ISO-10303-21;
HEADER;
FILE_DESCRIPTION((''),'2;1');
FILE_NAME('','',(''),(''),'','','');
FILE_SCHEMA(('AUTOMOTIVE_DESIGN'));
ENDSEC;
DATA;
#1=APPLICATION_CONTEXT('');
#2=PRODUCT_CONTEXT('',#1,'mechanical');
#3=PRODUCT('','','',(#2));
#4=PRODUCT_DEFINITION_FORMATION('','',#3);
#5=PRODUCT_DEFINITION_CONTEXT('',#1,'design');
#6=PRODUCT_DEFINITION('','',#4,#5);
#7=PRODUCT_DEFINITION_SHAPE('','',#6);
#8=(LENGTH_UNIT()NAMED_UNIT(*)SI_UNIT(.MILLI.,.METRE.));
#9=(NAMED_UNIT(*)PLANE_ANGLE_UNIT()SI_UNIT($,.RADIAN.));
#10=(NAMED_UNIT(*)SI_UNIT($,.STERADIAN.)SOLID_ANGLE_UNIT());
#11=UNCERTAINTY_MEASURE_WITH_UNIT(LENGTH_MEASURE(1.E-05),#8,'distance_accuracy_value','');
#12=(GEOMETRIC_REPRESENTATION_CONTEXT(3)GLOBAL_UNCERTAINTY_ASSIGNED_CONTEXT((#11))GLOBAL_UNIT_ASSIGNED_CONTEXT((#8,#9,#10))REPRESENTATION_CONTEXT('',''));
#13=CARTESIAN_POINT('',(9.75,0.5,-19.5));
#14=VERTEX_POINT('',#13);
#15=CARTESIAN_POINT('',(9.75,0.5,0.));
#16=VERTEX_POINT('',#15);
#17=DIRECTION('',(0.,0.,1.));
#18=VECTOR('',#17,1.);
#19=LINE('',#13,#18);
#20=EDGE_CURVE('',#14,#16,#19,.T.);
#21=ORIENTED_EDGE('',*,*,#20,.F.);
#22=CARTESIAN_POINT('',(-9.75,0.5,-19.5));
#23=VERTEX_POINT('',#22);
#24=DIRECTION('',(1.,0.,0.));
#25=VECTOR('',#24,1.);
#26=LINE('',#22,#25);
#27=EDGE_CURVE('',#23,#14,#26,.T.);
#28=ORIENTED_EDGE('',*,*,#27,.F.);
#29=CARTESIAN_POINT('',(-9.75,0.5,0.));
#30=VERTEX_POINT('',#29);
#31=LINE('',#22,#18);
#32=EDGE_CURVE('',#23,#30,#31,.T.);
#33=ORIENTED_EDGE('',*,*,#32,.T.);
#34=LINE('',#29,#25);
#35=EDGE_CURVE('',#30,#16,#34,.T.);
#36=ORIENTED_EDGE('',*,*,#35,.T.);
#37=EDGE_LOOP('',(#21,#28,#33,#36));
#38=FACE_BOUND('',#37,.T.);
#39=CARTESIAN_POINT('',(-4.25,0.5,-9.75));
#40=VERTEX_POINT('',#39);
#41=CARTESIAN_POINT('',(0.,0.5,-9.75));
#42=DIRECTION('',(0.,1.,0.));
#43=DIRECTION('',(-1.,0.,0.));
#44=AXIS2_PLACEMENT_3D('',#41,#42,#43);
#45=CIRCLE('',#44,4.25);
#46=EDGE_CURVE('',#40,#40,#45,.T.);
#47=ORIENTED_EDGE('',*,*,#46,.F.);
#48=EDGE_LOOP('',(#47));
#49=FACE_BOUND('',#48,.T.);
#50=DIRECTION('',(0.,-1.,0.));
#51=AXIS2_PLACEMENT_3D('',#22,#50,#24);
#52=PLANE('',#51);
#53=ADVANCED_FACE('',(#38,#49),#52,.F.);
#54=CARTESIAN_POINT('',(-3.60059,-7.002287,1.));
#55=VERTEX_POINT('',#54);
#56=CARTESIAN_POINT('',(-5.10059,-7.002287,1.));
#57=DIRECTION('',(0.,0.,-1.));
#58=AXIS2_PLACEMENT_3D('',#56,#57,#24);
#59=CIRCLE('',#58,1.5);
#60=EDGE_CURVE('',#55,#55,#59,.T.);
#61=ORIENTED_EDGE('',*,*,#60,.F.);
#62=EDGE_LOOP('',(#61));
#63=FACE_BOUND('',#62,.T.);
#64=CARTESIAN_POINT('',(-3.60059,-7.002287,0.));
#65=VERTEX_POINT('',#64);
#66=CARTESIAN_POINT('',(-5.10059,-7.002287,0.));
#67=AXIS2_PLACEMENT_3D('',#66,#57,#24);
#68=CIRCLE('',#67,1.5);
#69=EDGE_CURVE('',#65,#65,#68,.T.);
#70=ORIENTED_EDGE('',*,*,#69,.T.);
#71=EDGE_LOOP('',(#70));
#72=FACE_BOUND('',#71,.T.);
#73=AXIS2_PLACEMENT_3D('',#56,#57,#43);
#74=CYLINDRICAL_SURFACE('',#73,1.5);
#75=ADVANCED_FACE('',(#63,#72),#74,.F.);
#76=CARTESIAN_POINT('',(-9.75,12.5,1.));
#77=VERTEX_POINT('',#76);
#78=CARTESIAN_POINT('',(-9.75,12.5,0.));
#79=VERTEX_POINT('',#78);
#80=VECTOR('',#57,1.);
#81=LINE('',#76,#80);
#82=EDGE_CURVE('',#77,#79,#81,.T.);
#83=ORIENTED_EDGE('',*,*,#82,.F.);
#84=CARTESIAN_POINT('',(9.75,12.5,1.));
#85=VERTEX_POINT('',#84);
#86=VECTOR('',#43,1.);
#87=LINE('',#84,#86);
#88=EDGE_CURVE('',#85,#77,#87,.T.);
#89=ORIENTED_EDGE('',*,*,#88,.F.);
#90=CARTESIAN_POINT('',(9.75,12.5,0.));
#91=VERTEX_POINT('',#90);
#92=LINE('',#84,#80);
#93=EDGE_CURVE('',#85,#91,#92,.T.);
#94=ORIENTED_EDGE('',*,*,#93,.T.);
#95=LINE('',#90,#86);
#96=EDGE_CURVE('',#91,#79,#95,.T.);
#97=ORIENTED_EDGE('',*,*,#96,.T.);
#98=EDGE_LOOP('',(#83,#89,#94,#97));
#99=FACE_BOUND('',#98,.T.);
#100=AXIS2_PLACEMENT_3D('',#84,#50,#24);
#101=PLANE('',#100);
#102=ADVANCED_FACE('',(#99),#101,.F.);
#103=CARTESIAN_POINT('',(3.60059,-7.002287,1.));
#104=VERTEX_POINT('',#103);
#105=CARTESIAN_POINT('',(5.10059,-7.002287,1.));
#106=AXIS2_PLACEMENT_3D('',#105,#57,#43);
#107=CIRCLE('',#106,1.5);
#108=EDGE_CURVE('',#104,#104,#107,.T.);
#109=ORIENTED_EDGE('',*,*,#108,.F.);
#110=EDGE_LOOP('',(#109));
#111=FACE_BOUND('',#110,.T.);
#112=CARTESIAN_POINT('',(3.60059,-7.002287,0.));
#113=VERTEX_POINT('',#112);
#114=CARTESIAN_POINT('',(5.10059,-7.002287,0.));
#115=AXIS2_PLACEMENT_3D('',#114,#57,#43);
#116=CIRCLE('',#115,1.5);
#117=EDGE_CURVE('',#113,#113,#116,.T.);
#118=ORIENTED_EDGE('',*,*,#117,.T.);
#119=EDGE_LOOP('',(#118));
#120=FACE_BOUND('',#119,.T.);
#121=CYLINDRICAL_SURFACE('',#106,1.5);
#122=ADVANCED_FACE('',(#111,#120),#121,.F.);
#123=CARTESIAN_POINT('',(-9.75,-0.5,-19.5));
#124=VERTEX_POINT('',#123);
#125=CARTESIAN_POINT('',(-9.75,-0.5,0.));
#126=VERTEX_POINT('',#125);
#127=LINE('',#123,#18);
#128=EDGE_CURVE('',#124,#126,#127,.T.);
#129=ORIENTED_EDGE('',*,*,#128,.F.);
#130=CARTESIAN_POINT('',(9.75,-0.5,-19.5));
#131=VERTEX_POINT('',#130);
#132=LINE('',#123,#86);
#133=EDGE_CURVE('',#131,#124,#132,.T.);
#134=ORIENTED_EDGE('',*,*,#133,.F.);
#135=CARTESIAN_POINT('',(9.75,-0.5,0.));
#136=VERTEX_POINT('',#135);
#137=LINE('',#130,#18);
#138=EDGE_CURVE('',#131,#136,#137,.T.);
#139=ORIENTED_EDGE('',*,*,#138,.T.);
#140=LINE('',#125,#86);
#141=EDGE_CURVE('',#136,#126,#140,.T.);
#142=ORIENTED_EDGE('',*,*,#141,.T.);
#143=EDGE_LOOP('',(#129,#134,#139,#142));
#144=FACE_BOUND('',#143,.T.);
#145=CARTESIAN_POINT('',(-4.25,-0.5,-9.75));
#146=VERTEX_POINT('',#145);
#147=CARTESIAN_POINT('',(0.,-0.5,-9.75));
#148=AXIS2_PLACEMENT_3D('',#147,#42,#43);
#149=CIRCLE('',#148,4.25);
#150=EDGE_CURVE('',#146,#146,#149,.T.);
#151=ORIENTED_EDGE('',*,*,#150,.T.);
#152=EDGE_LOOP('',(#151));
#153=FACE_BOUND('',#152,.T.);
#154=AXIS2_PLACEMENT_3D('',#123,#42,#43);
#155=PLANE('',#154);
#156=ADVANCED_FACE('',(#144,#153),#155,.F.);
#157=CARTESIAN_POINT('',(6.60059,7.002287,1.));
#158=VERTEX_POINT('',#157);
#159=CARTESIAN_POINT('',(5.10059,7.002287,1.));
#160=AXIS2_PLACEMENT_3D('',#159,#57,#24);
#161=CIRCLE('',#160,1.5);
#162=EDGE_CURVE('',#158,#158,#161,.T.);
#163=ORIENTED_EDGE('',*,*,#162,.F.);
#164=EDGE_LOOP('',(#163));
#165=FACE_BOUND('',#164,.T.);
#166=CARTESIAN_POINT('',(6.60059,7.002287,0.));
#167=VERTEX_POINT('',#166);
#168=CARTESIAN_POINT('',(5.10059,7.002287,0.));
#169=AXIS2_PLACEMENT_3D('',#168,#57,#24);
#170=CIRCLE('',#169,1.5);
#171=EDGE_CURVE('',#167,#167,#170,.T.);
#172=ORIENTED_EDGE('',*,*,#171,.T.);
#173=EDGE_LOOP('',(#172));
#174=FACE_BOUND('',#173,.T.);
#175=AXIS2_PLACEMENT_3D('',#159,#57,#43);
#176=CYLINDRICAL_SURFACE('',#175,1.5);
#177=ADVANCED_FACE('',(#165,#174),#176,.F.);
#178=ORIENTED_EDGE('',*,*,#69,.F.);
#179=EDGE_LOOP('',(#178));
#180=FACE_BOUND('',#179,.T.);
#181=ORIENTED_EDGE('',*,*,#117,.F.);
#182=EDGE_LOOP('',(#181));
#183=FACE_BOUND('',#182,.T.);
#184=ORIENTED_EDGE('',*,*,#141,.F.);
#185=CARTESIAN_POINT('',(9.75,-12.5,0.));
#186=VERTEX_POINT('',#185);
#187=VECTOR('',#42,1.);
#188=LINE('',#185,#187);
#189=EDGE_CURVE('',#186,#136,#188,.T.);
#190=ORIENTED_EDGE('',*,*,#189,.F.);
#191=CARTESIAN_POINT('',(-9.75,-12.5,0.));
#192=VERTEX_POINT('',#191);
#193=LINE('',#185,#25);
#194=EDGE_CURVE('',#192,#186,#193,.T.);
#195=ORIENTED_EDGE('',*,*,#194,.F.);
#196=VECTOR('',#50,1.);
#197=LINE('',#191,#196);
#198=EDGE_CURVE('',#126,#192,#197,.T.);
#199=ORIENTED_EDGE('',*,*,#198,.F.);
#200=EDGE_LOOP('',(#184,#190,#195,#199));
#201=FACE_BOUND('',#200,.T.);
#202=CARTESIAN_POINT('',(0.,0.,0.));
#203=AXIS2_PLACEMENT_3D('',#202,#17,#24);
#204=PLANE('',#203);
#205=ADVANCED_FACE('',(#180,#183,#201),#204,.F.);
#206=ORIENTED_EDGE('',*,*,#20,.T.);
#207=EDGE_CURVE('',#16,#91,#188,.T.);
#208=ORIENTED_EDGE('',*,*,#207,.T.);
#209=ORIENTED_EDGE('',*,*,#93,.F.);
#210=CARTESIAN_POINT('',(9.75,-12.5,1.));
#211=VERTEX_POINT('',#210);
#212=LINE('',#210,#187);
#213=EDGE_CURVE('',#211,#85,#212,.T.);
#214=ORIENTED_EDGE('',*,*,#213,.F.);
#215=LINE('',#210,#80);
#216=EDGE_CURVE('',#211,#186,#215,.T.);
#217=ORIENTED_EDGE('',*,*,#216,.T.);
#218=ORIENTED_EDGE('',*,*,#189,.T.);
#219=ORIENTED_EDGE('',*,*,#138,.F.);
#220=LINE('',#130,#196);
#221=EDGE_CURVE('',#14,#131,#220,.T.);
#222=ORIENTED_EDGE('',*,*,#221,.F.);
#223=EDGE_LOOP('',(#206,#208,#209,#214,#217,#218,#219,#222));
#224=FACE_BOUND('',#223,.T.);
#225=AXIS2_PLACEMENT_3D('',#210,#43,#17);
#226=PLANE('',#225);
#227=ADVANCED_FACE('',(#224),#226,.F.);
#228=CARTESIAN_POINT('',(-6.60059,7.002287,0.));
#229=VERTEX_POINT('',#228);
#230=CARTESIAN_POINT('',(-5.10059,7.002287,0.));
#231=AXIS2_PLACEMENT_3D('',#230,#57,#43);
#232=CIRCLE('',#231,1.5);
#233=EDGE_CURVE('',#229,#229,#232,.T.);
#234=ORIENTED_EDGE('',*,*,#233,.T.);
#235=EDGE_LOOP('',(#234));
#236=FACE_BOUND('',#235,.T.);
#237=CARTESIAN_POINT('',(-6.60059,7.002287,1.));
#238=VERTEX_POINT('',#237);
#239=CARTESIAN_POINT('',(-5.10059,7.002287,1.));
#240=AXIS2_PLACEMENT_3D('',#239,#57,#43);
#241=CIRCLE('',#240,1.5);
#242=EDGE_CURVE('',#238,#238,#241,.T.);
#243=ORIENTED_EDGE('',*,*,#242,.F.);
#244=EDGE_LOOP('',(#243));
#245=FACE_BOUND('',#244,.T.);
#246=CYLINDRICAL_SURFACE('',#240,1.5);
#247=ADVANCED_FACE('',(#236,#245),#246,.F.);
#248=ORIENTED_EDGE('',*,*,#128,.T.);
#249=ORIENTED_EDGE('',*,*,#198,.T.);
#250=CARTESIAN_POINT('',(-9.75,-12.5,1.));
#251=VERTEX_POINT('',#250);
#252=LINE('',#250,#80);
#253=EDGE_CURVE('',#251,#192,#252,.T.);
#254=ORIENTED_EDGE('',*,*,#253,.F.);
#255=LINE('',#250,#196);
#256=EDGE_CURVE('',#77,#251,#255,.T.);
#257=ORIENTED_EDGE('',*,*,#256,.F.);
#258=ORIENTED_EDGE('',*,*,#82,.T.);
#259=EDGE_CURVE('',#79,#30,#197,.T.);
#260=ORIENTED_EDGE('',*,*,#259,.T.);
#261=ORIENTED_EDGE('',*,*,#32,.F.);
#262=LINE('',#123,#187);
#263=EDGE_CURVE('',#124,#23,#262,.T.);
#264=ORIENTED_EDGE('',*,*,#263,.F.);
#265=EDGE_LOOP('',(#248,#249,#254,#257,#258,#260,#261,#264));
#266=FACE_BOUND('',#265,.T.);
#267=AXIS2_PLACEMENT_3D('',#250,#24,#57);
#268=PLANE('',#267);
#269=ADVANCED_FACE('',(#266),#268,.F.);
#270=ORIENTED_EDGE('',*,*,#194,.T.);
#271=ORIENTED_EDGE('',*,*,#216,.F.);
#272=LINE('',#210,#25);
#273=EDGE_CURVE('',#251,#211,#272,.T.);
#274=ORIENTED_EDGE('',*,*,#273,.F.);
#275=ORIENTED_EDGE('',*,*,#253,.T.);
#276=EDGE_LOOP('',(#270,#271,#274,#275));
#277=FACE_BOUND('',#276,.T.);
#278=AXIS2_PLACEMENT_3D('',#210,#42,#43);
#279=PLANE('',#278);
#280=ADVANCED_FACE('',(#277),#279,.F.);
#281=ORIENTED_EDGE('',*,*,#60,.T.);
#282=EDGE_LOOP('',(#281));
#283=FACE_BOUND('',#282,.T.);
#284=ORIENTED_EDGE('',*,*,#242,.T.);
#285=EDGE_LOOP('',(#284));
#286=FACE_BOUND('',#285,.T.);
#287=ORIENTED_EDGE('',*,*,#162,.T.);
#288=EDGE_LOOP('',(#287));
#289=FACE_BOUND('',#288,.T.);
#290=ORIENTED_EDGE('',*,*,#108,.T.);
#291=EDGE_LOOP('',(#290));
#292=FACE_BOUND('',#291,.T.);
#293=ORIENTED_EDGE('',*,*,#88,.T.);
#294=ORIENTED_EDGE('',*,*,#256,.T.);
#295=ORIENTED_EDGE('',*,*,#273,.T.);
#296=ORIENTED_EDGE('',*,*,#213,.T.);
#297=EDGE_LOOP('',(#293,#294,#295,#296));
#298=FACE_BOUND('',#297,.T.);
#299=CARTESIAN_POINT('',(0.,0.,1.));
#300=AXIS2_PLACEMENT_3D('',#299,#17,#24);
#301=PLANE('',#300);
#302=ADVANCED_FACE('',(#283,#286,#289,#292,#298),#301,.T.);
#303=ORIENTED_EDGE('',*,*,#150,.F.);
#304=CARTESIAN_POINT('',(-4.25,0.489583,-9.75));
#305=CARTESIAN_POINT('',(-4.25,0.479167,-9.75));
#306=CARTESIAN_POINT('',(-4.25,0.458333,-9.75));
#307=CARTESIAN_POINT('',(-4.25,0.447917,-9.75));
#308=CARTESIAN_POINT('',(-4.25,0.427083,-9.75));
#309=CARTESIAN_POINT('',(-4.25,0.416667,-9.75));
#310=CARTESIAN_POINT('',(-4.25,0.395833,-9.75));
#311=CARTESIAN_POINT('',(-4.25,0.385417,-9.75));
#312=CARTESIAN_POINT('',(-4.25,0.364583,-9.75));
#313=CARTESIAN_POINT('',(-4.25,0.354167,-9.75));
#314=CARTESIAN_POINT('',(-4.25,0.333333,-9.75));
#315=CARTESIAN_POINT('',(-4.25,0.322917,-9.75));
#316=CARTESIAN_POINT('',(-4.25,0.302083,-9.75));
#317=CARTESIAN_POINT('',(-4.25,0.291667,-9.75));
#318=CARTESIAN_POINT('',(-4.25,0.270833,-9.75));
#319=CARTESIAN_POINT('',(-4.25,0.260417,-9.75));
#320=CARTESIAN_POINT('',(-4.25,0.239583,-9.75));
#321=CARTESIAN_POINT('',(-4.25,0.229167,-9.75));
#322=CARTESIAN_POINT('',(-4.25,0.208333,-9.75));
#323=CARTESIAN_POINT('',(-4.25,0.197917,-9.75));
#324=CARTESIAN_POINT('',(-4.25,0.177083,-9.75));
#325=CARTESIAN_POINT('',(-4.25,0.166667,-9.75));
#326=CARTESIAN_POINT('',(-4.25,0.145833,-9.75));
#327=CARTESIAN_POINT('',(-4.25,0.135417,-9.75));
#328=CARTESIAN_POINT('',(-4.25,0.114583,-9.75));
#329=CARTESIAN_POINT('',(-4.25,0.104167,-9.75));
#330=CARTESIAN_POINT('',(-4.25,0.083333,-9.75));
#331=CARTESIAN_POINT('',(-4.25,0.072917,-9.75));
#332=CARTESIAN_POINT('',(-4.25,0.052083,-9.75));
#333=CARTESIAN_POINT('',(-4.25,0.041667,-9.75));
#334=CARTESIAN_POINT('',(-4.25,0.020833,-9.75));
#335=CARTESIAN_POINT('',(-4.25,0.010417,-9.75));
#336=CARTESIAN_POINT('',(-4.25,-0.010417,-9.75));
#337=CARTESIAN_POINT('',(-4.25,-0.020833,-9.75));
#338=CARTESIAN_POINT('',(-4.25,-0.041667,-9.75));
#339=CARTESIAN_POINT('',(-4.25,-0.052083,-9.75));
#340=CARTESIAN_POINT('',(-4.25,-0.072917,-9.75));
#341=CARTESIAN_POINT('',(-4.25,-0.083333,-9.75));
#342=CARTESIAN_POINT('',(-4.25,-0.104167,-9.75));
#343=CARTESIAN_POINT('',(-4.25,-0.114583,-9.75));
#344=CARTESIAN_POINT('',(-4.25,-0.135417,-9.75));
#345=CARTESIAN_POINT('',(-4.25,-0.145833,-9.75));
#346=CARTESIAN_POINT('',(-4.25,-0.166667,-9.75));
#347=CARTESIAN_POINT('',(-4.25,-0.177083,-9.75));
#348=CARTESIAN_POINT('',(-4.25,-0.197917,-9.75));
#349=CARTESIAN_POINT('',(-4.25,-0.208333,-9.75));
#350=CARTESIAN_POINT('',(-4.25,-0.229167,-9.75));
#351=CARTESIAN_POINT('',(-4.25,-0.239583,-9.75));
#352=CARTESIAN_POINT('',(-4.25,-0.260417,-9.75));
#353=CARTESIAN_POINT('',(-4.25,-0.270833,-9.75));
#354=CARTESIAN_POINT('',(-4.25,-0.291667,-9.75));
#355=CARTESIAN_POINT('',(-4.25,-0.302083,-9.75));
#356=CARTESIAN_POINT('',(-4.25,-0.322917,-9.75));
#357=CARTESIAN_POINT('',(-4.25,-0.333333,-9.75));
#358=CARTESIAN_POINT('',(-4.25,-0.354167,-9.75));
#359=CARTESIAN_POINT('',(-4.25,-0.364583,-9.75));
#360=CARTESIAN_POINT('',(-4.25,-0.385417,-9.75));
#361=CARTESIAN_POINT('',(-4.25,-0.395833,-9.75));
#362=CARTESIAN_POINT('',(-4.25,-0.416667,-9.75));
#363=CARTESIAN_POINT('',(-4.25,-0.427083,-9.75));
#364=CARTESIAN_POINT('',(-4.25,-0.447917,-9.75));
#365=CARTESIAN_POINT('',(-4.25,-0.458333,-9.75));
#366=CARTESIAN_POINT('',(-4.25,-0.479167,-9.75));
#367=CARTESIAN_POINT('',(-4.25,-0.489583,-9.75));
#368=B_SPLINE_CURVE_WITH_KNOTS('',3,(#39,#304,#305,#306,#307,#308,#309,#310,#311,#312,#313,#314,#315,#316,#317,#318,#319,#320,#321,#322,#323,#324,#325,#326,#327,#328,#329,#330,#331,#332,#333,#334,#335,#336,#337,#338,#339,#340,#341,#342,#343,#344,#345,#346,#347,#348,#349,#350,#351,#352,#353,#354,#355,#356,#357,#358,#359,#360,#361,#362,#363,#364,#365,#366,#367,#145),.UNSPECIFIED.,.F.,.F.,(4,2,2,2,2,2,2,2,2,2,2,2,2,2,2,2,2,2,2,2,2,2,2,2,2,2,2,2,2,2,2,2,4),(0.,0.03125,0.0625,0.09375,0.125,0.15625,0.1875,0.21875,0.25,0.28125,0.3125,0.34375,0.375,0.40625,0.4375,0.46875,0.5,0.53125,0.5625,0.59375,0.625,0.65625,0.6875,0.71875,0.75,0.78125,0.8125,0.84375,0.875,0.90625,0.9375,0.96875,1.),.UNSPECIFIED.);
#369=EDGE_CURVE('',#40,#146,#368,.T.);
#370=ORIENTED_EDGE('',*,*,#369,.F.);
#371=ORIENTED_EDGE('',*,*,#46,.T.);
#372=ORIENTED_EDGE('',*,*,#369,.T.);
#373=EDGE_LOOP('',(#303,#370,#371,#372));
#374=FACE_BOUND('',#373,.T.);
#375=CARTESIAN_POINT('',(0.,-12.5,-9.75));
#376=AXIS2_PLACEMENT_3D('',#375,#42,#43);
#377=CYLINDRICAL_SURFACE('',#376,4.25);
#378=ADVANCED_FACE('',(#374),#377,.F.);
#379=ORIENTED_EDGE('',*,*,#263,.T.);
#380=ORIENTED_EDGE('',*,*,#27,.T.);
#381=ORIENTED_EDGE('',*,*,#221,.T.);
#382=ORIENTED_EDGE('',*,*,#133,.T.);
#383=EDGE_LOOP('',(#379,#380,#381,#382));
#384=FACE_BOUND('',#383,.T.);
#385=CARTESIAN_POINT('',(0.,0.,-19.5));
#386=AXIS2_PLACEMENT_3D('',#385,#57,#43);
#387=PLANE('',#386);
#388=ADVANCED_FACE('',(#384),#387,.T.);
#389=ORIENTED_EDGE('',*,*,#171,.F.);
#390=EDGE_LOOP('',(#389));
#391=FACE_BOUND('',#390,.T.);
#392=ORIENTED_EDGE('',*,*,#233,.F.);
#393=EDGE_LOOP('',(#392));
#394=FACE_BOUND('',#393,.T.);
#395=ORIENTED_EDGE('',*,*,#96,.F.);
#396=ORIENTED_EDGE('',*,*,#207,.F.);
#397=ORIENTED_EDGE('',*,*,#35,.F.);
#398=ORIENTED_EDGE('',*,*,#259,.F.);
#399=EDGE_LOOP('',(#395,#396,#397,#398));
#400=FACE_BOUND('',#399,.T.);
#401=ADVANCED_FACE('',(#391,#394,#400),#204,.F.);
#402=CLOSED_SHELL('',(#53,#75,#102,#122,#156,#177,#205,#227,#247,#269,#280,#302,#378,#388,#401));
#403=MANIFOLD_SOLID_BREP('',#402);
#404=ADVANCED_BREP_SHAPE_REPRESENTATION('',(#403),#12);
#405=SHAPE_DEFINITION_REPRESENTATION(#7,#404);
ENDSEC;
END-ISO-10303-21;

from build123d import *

# Parameters (mm, degrees)
SKETCH_1_W          = 19.5
SKETCH_1_H          = 25
EXTRUDE_1_DEPTH     = 1
SKETCH_2_W          = 19.5
SKETCH_2_H          = 1
EXTRUDE_2_DEPTH     = 19.5
SKETCH_3_R          = 1.5
CUT_EXTRUDE_1_DEPTH = 26.130907266
SKETCH_4_R          = 4.25
CUT_EXTRUDE_2_DEPTH = 26.383311447


with BuildPart() as part:
    # 草图1 → 凸台-拉伸1 (new body)
    with BuildSketch(Plane.XY):
        Rectangle(SKETCH_1_W, SKETCH_1_H)
    extrude(amount=EXTRUDE_1_DEPTH)

    # 草图2 → 凸台-拉伸2 (add)
    with BuildSketch(Plane(origin=(0, 0, 0), x_dir=(-1, 0, 0), z_dir=(0, 0, -1))):
        Rectangle(SKETCH_2_W, SKETCH_2_H)
    extrude(amount=EXTRUDE_2_DEPTH)

    # 草图3 → 切除-拉伸1 (cut, through all)
    with BuildSketch(Plane(origin=(0, 0, 0), x_dir=(-1, 0, 0), z_dir=(0, 0, -1))):
        with Locations((5.100590272, 7.002287459)):
            Circle(SKETCH_3_R)
        with Locations(Location((-5.100590272, 7.002287459, 0), (0, 0, 180))):
            Circle(SKETCH_3_R)
        with Locations(Location((5.100590272, -7.002287459, 0), (0, 0, 180))):
            Circle(SKETCH_3_R)
        with Locations((-5.100590272, -7.002287459)):
            Circle(SKETCH_3_R)
    extrude(amount=-CUT_EXTRUDE_1_DEPTH, mode=Mode.SUBTRACT)

    # 草图4 → 切除-拉伸2 (cut, through all)
    with BuildSketch(Plane(origin=(0, 0.5, 0), x_dir=(1, 0, 0), z_dir=(0, 1, 0))):
        with Locations(Location((0, 9.75, 0), (0, 0, 180))):
            Circle(SKETCH_4_R)
    extrude(amount=-CUT_EXTRUDE_2_DEPTH, mode=Mode.SUBTRACT)


solid = part.part
